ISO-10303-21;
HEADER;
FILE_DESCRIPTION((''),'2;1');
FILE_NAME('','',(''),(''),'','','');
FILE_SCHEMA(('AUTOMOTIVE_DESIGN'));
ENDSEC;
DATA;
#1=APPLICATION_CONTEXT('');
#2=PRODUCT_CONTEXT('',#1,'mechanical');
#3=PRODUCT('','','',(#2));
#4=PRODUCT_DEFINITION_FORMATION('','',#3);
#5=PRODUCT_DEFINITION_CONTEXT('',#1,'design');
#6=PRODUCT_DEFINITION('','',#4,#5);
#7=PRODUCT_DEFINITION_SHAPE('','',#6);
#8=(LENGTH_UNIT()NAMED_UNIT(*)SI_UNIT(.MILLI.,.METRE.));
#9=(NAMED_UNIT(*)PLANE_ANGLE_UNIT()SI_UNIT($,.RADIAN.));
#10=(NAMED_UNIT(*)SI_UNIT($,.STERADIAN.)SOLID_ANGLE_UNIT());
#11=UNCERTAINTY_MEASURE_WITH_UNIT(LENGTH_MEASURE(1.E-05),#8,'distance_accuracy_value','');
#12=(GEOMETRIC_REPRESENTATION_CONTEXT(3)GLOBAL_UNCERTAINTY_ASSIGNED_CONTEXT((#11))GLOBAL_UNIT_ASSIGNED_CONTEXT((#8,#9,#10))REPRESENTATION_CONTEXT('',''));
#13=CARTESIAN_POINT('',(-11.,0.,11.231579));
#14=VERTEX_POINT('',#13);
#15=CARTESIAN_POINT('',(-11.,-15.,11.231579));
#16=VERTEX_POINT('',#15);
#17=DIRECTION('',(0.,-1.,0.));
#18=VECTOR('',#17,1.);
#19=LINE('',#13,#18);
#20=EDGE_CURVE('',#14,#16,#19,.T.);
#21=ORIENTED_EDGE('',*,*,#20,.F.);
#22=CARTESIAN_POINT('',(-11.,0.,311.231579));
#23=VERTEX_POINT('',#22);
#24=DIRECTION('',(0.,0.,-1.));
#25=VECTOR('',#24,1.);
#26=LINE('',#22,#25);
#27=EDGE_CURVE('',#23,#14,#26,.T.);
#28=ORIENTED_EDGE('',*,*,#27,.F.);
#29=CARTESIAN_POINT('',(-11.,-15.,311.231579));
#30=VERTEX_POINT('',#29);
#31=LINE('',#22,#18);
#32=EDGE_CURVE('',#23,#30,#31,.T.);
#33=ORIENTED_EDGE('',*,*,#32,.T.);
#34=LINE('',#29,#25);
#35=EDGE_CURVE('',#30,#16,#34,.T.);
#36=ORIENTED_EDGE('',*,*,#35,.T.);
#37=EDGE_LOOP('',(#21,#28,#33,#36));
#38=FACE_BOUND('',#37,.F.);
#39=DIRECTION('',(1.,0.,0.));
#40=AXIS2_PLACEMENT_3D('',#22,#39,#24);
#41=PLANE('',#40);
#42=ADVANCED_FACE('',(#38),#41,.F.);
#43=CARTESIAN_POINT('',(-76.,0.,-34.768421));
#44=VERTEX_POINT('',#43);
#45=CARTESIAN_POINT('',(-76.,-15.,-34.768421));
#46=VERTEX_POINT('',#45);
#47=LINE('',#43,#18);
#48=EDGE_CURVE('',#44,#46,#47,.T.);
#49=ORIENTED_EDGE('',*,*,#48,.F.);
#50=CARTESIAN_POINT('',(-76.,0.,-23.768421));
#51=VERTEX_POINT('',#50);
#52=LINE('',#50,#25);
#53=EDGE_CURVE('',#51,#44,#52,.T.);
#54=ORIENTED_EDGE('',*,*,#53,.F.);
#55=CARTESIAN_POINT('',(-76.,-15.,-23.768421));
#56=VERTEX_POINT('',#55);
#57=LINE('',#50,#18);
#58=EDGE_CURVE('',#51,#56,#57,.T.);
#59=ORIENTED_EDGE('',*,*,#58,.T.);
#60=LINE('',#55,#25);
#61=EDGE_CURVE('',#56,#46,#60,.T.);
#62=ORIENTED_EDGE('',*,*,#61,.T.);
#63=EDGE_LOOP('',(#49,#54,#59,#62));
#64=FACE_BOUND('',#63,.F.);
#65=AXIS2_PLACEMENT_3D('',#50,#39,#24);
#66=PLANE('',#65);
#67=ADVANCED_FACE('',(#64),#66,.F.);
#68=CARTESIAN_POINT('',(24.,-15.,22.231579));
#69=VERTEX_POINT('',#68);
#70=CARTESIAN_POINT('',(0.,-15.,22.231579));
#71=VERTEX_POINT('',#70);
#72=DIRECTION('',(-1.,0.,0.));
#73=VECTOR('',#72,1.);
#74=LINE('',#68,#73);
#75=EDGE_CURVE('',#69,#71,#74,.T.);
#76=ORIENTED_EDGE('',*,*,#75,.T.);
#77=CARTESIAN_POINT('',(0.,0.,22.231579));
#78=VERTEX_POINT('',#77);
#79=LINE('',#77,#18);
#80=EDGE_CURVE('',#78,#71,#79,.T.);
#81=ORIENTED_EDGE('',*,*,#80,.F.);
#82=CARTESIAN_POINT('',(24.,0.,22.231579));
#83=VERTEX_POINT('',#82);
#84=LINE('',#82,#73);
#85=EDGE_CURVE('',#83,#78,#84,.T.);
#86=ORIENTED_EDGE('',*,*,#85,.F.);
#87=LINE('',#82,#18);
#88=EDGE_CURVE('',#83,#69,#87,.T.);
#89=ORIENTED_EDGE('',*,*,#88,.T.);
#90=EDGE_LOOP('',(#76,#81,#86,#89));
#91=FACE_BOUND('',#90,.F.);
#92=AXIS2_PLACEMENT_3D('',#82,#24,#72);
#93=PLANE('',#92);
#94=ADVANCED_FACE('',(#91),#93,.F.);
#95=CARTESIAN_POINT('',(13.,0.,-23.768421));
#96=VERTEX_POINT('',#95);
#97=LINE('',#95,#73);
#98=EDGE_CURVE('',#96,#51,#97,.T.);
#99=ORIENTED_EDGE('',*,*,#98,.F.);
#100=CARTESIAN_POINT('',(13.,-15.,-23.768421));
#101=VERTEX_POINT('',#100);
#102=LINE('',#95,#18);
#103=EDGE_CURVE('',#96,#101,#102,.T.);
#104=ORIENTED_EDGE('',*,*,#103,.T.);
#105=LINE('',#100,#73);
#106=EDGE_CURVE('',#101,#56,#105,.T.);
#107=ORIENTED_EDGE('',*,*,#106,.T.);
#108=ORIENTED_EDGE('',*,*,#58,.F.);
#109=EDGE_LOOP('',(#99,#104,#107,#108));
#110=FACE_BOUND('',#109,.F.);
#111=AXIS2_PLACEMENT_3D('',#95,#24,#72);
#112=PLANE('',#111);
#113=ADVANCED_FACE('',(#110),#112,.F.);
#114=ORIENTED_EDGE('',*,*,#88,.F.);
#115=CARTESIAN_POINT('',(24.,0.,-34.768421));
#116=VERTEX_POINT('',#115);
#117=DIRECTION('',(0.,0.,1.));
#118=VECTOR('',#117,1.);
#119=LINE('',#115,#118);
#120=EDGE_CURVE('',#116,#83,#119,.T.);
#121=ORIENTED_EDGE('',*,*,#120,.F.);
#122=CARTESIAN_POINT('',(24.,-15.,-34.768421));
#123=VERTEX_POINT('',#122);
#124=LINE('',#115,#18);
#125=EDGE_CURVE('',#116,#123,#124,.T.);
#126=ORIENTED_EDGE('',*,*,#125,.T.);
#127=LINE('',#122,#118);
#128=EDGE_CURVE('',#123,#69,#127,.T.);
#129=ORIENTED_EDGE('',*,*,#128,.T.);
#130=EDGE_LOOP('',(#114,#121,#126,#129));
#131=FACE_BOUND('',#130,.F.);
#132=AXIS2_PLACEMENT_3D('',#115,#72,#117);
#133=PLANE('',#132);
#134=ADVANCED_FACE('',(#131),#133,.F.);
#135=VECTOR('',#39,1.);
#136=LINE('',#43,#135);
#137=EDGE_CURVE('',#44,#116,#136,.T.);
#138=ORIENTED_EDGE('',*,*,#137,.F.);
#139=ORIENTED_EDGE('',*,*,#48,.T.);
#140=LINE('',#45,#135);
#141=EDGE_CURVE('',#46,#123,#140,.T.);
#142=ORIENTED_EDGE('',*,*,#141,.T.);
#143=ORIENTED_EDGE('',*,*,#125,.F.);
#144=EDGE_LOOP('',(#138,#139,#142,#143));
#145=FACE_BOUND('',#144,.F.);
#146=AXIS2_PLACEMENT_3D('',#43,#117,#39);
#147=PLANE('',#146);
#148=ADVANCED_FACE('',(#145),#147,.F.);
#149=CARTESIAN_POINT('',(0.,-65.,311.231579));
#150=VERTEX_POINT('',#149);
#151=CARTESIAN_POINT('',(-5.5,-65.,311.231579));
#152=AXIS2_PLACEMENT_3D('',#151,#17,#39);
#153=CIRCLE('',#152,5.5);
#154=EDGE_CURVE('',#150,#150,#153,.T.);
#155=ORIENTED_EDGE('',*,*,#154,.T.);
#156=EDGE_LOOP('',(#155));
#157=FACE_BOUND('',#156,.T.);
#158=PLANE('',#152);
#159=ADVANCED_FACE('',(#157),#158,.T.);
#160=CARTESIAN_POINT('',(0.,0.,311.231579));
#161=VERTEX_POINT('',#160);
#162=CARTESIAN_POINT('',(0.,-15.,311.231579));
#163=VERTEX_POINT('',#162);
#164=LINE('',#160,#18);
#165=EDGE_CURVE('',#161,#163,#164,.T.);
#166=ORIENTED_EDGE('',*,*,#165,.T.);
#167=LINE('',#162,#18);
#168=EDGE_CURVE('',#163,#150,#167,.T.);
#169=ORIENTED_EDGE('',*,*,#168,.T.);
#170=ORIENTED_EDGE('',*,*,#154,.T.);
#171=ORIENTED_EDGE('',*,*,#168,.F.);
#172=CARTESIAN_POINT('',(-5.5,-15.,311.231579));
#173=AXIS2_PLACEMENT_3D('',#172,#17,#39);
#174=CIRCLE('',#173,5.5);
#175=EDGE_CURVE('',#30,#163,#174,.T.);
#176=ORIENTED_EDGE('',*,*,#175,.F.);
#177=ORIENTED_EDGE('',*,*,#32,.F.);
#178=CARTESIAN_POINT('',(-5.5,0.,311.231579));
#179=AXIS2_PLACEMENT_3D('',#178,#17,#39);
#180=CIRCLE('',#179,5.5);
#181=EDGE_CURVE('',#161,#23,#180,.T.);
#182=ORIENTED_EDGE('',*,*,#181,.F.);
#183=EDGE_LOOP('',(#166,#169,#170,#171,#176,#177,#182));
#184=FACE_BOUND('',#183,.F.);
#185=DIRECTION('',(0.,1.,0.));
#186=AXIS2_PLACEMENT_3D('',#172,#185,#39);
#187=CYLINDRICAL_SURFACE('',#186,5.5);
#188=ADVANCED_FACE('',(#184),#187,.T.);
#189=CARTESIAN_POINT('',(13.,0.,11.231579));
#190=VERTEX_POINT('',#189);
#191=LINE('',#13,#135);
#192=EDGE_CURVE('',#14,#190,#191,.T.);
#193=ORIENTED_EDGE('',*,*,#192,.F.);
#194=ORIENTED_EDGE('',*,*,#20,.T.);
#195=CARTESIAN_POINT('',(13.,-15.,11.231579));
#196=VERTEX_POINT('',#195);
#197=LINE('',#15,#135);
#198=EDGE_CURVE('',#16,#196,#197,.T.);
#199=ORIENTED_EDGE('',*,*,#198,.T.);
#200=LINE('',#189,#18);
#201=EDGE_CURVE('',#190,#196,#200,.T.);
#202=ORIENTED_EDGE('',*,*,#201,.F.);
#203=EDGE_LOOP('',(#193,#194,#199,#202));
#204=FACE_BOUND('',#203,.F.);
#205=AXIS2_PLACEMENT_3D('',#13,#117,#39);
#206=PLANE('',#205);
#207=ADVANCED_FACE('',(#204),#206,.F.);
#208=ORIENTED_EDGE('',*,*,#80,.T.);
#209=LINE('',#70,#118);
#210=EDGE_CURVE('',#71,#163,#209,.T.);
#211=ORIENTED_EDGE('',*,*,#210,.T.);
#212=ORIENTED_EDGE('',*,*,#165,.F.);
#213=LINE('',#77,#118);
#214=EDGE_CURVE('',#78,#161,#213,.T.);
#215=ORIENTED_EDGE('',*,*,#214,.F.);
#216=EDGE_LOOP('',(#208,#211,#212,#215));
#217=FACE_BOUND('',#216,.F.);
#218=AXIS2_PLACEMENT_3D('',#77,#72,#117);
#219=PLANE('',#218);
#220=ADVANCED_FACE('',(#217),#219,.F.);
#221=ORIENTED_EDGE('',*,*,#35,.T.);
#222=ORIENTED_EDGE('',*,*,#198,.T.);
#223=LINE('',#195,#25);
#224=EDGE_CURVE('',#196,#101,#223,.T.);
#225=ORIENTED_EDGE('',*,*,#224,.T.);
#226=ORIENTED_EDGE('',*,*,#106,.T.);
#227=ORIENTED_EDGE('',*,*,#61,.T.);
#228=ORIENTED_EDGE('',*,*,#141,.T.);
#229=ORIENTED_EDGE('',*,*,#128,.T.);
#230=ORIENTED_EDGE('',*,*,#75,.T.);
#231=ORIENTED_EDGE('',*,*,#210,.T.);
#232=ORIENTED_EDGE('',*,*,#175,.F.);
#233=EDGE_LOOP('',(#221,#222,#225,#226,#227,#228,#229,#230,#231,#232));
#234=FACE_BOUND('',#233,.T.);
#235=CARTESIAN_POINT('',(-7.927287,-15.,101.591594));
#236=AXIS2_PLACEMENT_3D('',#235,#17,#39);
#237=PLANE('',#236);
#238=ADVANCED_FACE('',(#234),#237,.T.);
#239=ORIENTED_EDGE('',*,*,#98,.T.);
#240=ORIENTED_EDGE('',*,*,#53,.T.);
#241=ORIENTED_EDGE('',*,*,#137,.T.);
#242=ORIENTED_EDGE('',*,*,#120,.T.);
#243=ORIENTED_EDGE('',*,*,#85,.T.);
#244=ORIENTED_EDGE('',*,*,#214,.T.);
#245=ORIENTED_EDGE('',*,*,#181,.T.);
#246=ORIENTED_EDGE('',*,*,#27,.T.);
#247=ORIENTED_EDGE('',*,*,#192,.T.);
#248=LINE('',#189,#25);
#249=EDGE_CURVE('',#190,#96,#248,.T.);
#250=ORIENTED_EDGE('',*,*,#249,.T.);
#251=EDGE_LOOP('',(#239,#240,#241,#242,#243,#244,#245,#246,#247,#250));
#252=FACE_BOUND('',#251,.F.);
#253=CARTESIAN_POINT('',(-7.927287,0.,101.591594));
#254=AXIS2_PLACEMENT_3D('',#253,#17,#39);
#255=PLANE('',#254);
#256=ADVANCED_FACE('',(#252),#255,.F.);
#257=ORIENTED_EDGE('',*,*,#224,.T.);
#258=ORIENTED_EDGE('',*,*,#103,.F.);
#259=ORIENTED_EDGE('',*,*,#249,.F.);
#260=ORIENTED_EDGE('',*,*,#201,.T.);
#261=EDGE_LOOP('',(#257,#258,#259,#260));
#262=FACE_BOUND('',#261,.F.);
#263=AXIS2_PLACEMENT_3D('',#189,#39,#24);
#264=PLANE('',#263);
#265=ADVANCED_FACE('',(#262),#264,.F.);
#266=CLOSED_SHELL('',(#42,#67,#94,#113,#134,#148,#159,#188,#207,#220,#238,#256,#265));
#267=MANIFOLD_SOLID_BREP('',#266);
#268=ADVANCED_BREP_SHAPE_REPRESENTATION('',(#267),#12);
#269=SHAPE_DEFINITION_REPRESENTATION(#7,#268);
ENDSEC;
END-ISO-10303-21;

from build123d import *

# Parameters (mm, degrees)
F1_DEPTH = 15
F2_R     = 5.5
F3_DEPTH = 50


with BuildPart() as f1:
    # F0 (on Front) → F1 (new body)
    with BuildSketch(Plane.XZ):
        with BuildLine():
            Line((0, 22.231579), (0, 311.231579))
            ThreePointArc((0, 311.231579), (-5.5, 316.731579), (-11, 311.231579))
            Line((-11, 311.231579), (-11, 11.231579))
            Line((-11, 11.231579), (13, 11.231579))
            Line((13, 11.231579), (13, -23.768421))
            Line((13, -23.768421), (-76, -23.768421))
            Line((-76, -23.768421), (-76, -34.768421))
            Line((-76, -34.768421), (24, -34.768421))
            Line((24, -34.768421), (24, 22.231579))
            Line((24, 22.231579), (0, 22.231579))
        make_face()
    extrude(amount=F1_DEPTH)

    # F2 (on face) → F3 (join)
    with BuildSketch(Plane.XZ.offset(15)):
        with Locations((-5.5, 311.231579)):
            Circle(F2_R)
    extrude(amount=F3_DEPTH)


solid = f1.part
